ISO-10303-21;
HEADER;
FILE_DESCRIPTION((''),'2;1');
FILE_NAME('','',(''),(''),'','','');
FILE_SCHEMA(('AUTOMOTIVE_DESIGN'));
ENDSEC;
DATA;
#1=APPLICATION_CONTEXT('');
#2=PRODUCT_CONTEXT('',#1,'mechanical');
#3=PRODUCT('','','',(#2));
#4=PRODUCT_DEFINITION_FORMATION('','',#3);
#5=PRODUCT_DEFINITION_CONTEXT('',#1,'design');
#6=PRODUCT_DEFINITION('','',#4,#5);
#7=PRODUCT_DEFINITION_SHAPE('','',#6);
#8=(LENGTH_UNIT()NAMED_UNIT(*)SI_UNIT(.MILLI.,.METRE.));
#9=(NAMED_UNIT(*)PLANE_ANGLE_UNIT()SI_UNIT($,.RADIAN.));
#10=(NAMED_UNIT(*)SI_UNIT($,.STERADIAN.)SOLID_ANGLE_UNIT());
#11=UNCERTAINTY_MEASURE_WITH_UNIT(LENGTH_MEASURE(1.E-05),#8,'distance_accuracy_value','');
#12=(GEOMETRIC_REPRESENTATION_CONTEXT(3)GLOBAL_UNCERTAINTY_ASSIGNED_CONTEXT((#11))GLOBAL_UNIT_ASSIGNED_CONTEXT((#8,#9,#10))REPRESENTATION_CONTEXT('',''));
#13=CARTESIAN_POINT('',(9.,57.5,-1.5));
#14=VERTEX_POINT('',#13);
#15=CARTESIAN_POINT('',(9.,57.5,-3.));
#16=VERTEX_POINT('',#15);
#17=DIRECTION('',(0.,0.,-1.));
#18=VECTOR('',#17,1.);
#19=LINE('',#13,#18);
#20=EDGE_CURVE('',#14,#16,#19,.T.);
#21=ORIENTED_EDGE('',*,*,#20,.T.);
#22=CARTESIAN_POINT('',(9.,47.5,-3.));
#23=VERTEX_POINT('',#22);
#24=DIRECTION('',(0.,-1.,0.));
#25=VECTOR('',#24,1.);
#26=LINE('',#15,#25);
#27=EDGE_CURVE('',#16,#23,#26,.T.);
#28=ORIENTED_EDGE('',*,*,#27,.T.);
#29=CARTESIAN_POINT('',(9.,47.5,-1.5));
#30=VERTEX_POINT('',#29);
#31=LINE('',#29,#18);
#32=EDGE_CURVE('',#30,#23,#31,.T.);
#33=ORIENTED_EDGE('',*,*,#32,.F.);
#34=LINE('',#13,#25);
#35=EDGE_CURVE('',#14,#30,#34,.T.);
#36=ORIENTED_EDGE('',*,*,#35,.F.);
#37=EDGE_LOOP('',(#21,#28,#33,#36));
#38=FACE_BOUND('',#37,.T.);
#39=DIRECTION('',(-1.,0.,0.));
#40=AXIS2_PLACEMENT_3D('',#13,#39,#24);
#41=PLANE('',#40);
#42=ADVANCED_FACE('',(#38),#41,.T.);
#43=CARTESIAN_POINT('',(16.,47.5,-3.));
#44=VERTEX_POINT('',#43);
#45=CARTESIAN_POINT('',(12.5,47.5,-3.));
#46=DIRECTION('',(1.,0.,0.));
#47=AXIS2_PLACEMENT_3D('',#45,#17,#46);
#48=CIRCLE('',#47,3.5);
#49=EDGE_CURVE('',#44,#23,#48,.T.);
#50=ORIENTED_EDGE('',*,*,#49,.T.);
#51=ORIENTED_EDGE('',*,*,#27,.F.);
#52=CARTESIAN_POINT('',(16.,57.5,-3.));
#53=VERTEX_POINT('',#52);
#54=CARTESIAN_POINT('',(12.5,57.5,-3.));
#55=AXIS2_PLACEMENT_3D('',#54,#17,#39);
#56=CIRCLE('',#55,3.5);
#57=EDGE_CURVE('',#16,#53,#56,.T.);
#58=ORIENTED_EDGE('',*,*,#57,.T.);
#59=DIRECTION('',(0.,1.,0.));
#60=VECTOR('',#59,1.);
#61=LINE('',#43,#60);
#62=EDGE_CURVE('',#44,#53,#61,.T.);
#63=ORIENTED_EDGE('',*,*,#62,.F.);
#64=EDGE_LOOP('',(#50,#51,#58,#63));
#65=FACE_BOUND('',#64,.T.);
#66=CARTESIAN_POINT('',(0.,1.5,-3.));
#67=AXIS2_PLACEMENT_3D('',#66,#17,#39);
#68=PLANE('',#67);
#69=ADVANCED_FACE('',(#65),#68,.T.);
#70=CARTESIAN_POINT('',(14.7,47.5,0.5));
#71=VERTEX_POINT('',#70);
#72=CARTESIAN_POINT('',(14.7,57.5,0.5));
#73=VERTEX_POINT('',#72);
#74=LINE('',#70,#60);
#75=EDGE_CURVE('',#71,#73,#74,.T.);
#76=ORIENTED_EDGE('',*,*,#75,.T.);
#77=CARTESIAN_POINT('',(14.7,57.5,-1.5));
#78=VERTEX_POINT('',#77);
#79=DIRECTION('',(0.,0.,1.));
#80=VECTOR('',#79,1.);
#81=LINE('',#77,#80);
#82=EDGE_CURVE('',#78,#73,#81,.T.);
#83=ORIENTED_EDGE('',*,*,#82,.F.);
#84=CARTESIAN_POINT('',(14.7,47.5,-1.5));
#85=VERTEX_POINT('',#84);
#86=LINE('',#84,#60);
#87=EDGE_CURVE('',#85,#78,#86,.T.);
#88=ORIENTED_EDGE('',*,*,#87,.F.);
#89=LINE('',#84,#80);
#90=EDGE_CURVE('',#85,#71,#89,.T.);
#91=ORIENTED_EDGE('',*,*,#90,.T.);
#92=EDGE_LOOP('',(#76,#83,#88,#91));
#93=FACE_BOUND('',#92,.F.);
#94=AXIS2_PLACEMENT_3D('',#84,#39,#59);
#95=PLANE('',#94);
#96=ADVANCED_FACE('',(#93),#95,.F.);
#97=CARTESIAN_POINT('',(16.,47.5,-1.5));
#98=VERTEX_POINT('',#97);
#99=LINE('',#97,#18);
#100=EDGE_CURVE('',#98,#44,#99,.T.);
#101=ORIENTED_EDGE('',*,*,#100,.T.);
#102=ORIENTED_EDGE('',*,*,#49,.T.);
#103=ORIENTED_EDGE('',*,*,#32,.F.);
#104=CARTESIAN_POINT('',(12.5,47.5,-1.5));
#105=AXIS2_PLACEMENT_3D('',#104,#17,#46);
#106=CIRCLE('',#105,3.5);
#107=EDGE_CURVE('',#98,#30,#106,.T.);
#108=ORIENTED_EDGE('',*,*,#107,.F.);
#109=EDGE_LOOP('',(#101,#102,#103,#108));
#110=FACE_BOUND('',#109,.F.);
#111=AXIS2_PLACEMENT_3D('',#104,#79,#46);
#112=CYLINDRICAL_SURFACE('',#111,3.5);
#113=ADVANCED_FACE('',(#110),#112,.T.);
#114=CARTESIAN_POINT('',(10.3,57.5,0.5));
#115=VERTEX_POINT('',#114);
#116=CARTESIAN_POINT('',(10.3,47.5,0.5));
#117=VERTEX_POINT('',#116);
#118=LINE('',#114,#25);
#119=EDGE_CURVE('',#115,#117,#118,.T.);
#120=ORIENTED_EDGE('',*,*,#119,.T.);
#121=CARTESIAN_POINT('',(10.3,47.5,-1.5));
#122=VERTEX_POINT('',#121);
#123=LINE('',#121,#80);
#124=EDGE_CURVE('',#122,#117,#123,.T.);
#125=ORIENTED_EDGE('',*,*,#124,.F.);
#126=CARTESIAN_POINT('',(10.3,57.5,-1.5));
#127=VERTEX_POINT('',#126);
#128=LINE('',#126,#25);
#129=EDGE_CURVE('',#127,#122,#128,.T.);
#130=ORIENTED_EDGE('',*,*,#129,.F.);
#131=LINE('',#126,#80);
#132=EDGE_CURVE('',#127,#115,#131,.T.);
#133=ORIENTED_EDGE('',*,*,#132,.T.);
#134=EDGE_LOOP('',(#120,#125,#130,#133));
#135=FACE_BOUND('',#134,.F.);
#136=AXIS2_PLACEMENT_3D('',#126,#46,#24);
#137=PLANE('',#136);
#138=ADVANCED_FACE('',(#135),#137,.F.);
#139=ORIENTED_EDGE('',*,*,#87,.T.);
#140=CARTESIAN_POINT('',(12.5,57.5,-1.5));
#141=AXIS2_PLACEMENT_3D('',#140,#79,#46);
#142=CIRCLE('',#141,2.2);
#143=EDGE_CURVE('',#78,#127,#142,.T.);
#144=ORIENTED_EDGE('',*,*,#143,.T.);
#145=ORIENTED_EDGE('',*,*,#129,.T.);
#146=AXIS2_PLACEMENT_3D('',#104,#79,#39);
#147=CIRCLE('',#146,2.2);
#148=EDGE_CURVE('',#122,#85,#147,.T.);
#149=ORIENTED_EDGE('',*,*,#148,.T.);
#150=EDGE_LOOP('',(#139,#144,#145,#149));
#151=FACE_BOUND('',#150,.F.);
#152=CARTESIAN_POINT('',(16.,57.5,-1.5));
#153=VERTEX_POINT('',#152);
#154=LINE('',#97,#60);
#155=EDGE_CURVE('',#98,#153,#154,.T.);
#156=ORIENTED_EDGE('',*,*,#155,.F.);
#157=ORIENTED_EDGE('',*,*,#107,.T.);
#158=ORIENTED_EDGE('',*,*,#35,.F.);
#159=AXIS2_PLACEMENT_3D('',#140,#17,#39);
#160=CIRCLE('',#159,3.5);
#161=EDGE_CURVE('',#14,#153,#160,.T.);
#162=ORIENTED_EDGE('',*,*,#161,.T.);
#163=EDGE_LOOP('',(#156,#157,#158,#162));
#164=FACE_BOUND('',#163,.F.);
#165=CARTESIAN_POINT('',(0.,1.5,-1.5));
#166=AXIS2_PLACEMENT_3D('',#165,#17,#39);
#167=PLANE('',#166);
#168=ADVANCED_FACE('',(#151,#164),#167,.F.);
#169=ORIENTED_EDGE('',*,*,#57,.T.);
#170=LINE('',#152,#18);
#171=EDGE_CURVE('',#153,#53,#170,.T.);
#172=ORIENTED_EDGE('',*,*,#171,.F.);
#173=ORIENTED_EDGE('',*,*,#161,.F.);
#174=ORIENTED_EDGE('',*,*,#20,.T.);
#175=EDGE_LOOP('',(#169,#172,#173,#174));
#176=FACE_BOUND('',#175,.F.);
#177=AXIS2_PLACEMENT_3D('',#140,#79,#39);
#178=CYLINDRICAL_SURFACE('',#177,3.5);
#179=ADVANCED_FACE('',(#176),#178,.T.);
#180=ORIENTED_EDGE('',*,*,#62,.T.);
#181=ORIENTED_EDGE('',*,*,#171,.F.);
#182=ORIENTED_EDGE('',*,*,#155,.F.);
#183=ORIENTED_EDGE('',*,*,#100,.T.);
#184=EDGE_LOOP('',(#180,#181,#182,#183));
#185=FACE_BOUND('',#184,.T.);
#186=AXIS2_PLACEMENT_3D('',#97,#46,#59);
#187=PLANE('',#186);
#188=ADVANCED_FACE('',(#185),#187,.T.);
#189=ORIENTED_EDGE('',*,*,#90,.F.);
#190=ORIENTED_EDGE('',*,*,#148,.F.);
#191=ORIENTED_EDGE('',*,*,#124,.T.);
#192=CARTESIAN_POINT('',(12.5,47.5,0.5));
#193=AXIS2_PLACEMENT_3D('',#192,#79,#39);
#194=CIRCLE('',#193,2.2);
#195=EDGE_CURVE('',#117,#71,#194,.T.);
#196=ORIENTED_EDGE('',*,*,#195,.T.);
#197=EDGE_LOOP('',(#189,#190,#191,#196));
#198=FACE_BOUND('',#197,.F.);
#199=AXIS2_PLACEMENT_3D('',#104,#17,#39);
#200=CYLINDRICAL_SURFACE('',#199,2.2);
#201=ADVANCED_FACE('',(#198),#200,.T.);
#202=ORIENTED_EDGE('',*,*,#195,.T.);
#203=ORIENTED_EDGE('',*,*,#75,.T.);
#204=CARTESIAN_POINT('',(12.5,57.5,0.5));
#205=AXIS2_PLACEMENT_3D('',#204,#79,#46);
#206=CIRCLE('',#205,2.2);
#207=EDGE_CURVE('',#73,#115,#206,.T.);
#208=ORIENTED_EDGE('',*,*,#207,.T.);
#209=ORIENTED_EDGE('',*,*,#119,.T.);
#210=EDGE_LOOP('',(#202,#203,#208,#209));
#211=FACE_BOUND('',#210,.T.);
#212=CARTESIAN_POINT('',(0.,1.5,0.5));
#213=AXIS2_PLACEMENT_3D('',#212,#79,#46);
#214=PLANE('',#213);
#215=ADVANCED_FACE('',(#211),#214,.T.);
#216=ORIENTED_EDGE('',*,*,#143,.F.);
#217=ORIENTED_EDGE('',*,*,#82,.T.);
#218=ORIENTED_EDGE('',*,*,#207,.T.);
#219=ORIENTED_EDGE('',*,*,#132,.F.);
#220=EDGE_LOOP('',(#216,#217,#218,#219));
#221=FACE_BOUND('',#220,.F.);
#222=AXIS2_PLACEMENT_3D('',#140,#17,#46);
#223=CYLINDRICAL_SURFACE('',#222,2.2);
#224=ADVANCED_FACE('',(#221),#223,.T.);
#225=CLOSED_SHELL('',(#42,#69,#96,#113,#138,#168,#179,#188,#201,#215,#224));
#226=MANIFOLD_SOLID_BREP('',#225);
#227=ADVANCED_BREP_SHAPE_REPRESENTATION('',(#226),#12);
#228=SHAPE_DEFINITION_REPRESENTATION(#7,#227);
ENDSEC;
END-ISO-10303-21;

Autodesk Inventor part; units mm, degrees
ref_plane "YZ Plane" through (0, 0, 0) normal (1, 0, 0) x (0, 1, 0)
ref_plane "XZ Plane" through (0, 0, 0) normal (0, 1, 0) x (-1, 0, 0)
ref_plane "XY Plane" through (0, 0, 0) normal (0, 0, 1) x (1, 0, 0)
ref_plane "Work Plane3" through (0, 1.5, -1.5) normal (0, 0, -1) x (-1, 0, 0)
sketch "Sketch1" plane through (0, 1.5, -1.5) normal (0, 0, -1) x (-1, 0, 0)
  arc A0 (-16, 46) -> (-9, 46) centre (-12.5, 46) ccw
  line L0 (-16, 46) -> (-16, 56)
  arc A1 (-9, 56) -> (-16, 56) centre (-12.5, 56) ccw
  line L1 (-9, 56) -> (-9, 46)
  point P0 (0, -1.5)
extrude "Extrusion1" add sketch "Sketch1" along normal blind 1.5
sketch "Sketch2" plane through (0, 1.5, -1.5) normal (0, 0, 1) x (1, 0, 0)
  line L0 (10.3, 56) -> (10.3, 46)
  arc A0 (10.3, 46) -> (14.7, 46) centre (12.5, 46) ccw
  line L1 (14.7, 46) -> (14.7, 56)
  arc A1 (14.7, 56) -> (10.3, 56) centre (12.5, 56) ccw
  point P0 (0, -1.5)
extrude "Extrusion2" add sketch "Sketch2" along normal blind 2
properties part number "power_button_3DPrint"
